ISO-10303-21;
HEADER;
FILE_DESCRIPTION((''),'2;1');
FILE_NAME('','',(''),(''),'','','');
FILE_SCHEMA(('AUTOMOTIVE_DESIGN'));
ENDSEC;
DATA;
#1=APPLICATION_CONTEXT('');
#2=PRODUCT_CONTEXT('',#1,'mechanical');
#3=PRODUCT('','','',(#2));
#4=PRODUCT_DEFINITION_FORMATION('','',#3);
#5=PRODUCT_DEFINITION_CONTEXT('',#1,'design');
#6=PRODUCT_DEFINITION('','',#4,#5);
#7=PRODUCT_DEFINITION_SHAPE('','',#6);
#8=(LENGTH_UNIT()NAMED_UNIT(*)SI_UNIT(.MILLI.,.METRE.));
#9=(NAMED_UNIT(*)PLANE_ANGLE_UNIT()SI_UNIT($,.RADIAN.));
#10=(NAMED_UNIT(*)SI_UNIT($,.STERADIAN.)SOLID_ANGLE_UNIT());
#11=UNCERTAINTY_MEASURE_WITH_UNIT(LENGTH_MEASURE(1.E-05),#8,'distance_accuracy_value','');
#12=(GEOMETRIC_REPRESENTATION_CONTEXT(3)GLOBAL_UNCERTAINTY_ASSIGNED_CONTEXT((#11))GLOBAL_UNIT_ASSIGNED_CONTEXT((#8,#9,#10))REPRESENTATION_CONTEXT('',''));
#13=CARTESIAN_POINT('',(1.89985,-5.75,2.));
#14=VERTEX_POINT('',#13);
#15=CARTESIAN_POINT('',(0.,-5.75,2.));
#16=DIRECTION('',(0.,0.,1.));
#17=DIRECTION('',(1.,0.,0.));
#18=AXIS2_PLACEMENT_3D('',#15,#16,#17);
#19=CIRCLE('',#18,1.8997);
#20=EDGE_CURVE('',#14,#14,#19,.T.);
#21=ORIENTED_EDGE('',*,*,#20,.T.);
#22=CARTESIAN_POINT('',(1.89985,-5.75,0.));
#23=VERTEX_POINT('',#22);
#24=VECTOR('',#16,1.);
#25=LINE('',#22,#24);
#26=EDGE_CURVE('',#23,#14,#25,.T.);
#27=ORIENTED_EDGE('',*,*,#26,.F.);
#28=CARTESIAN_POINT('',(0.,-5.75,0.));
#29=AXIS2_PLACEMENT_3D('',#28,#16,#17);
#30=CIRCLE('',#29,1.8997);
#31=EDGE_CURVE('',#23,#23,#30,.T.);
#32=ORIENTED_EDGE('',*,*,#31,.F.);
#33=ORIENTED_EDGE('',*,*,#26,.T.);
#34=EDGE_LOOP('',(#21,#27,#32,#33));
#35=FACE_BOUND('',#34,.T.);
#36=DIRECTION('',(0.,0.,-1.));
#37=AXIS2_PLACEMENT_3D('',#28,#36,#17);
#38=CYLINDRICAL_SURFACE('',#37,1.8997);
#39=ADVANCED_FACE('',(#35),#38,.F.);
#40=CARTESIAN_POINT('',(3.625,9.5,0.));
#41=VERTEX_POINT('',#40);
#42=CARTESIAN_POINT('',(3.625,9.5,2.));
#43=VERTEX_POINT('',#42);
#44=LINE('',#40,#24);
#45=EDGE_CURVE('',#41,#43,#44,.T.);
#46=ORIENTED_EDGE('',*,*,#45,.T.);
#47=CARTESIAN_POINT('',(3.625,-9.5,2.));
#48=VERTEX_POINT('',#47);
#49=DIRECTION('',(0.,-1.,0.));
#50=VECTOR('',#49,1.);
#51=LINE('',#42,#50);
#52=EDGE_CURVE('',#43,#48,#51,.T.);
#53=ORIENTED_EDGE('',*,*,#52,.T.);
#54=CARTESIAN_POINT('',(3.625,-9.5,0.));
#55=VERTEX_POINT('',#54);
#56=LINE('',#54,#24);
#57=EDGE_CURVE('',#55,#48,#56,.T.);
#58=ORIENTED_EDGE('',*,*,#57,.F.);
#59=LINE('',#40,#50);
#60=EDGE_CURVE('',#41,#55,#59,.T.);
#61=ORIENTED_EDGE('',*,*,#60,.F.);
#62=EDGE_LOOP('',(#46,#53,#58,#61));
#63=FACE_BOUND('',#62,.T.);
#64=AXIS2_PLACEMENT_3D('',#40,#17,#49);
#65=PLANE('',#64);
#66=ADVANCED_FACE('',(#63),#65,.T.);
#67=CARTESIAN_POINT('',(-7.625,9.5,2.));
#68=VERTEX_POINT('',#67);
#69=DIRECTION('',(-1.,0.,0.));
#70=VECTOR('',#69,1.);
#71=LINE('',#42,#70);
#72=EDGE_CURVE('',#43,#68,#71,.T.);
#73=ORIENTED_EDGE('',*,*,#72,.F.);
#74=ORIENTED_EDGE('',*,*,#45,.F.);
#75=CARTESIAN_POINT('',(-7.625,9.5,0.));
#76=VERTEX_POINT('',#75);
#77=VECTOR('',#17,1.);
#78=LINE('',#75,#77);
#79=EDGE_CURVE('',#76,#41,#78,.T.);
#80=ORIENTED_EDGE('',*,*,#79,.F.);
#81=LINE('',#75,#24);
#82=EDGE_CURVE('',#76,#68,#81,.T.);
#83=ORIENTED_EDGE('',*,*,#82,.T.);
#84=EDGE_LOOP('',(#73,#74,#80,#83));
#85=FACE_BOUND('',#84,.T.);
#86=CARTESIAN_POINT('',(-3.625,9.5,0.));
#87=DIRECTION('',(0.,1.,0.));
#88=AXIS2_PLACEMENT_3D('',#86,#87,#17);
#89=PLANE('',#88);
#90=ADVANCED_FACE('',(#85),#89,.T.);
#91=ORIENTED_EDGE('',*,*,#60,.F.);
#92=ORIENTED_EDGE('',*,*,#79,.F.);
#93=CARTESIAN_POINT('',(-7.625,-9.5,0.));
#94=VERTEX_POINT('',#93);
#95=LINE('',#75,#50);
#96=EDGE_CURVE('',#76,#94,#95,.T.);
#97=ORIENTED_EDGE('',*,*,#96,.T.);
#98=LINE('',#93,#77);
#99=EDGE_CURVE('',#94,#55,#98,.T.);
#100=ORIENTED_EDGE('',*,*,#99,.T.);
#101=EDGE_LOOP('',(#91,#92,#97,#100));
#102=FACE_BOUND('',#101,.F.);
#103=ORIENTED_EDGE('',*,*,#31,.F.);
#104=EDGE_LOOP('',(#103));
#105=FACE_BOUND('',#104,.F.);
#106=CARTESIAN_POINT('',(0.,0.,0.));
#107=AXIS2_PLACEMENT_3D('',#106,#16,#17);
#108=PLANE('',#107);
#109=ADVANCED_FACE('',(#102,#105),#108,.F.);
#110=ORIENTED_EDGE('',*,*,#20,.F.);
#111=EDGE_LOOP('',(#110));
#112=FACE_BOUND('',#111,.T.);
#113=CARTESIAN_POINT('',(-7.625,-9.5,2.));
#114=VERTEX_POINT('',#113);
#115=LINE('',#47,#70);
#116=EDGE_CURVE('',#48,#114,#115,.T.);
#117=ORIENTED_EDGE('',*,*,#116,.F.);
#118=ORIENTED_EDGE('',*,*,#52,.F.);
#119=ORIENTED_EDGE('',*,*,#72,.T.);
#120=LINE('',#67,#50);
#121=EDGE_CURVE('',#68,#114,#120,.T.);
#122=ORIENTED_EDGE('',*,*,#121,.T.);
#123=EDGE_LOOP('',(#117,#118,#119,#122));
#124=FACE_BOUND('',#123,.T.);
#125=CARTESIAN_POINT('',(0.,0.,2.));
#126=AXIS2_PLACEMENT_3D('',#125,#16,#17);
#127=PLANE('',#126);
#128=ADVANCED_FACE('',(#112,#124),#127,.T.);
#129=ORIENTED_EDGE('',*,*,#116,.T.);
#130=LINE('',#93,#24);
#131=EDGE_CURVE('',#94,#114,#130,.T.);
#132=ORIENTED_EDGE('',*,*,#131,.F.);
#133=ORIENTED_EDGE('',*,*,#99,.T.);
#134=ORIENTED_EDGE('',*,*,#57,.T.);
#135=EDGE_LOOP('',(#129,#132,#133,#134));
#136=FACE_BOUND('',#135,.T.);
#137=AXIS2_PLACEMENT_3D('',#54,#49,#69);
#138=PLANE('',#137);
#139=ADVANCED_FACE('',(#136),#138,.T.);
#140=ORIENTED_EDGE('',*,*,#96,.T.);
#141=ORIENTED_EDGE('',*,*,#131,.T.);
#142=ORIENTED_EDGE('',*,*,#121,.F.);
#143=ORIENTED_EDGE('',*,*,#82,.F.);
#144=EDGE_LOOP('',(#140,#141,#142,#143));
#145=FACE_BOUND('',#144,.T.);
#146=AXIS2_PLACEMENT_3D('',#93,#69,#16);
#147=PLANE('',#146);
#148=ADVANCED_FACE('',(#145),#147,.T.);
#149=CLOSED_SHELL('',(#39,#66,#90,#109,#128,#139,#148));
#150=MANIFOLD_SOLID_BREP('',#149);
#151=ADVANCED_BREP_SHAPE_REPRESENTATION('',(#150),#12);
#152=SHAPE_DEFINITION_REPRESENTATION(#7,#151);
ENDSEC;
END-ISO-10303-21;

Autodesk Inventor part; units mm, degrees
ref_plane "YZ Plane" through (0, 0, 0) normal (1, 0, 0) x (0, 1, 0)
ref_plane "XZ Plane" through (0, 0, 0) normal (0, 1, 0) x (-1, 0, 0)
ref_plane "XY Plane" through (0, 0, 0) normal (0, 0, 1) x (1, 0, 0)
sketch "Sketch1" plane through (0, 0, 0) normal (0, 0, 1) x (1, 0, 0)
  line L0 (3.625, -9.5) -> (-3.625, -9.5) projected
  line L1 (3.625, 9.5) -> (3.625, -9.5) projected
  line L2 (-3.625, 9.5) -> (3.625, 9.5) projected
  line L3 (-3.625, -9.5) -> (-3.625, 9.5) projected
  circle A0 centre (0, -5.75) radius 1.8997 projected
  circle A1 centre (0, -5.75) radius 1.9
  point P0 (0, 0)
  dimension "d0" = 3.8
extrude "Extrusion1" add sketch "Sketch1" along normal blind 2
sketch "Sketch2" plane through (-3.625, -9.5, 0) normal (-1, 0, 0) x (0, 0, 1)
  line L0 (0, 19) -> (0, 0) projected
  line L1 (0, 0) -> (2, 0) projected
  line L2 (2, 19) -> (2, 0) projected
  line L3 (0, 19) -> (2, 19) projected
  point P0 (0, 9.5)
extrude "Extrusion2" add sketch "Sketch2" along normal blind 4
